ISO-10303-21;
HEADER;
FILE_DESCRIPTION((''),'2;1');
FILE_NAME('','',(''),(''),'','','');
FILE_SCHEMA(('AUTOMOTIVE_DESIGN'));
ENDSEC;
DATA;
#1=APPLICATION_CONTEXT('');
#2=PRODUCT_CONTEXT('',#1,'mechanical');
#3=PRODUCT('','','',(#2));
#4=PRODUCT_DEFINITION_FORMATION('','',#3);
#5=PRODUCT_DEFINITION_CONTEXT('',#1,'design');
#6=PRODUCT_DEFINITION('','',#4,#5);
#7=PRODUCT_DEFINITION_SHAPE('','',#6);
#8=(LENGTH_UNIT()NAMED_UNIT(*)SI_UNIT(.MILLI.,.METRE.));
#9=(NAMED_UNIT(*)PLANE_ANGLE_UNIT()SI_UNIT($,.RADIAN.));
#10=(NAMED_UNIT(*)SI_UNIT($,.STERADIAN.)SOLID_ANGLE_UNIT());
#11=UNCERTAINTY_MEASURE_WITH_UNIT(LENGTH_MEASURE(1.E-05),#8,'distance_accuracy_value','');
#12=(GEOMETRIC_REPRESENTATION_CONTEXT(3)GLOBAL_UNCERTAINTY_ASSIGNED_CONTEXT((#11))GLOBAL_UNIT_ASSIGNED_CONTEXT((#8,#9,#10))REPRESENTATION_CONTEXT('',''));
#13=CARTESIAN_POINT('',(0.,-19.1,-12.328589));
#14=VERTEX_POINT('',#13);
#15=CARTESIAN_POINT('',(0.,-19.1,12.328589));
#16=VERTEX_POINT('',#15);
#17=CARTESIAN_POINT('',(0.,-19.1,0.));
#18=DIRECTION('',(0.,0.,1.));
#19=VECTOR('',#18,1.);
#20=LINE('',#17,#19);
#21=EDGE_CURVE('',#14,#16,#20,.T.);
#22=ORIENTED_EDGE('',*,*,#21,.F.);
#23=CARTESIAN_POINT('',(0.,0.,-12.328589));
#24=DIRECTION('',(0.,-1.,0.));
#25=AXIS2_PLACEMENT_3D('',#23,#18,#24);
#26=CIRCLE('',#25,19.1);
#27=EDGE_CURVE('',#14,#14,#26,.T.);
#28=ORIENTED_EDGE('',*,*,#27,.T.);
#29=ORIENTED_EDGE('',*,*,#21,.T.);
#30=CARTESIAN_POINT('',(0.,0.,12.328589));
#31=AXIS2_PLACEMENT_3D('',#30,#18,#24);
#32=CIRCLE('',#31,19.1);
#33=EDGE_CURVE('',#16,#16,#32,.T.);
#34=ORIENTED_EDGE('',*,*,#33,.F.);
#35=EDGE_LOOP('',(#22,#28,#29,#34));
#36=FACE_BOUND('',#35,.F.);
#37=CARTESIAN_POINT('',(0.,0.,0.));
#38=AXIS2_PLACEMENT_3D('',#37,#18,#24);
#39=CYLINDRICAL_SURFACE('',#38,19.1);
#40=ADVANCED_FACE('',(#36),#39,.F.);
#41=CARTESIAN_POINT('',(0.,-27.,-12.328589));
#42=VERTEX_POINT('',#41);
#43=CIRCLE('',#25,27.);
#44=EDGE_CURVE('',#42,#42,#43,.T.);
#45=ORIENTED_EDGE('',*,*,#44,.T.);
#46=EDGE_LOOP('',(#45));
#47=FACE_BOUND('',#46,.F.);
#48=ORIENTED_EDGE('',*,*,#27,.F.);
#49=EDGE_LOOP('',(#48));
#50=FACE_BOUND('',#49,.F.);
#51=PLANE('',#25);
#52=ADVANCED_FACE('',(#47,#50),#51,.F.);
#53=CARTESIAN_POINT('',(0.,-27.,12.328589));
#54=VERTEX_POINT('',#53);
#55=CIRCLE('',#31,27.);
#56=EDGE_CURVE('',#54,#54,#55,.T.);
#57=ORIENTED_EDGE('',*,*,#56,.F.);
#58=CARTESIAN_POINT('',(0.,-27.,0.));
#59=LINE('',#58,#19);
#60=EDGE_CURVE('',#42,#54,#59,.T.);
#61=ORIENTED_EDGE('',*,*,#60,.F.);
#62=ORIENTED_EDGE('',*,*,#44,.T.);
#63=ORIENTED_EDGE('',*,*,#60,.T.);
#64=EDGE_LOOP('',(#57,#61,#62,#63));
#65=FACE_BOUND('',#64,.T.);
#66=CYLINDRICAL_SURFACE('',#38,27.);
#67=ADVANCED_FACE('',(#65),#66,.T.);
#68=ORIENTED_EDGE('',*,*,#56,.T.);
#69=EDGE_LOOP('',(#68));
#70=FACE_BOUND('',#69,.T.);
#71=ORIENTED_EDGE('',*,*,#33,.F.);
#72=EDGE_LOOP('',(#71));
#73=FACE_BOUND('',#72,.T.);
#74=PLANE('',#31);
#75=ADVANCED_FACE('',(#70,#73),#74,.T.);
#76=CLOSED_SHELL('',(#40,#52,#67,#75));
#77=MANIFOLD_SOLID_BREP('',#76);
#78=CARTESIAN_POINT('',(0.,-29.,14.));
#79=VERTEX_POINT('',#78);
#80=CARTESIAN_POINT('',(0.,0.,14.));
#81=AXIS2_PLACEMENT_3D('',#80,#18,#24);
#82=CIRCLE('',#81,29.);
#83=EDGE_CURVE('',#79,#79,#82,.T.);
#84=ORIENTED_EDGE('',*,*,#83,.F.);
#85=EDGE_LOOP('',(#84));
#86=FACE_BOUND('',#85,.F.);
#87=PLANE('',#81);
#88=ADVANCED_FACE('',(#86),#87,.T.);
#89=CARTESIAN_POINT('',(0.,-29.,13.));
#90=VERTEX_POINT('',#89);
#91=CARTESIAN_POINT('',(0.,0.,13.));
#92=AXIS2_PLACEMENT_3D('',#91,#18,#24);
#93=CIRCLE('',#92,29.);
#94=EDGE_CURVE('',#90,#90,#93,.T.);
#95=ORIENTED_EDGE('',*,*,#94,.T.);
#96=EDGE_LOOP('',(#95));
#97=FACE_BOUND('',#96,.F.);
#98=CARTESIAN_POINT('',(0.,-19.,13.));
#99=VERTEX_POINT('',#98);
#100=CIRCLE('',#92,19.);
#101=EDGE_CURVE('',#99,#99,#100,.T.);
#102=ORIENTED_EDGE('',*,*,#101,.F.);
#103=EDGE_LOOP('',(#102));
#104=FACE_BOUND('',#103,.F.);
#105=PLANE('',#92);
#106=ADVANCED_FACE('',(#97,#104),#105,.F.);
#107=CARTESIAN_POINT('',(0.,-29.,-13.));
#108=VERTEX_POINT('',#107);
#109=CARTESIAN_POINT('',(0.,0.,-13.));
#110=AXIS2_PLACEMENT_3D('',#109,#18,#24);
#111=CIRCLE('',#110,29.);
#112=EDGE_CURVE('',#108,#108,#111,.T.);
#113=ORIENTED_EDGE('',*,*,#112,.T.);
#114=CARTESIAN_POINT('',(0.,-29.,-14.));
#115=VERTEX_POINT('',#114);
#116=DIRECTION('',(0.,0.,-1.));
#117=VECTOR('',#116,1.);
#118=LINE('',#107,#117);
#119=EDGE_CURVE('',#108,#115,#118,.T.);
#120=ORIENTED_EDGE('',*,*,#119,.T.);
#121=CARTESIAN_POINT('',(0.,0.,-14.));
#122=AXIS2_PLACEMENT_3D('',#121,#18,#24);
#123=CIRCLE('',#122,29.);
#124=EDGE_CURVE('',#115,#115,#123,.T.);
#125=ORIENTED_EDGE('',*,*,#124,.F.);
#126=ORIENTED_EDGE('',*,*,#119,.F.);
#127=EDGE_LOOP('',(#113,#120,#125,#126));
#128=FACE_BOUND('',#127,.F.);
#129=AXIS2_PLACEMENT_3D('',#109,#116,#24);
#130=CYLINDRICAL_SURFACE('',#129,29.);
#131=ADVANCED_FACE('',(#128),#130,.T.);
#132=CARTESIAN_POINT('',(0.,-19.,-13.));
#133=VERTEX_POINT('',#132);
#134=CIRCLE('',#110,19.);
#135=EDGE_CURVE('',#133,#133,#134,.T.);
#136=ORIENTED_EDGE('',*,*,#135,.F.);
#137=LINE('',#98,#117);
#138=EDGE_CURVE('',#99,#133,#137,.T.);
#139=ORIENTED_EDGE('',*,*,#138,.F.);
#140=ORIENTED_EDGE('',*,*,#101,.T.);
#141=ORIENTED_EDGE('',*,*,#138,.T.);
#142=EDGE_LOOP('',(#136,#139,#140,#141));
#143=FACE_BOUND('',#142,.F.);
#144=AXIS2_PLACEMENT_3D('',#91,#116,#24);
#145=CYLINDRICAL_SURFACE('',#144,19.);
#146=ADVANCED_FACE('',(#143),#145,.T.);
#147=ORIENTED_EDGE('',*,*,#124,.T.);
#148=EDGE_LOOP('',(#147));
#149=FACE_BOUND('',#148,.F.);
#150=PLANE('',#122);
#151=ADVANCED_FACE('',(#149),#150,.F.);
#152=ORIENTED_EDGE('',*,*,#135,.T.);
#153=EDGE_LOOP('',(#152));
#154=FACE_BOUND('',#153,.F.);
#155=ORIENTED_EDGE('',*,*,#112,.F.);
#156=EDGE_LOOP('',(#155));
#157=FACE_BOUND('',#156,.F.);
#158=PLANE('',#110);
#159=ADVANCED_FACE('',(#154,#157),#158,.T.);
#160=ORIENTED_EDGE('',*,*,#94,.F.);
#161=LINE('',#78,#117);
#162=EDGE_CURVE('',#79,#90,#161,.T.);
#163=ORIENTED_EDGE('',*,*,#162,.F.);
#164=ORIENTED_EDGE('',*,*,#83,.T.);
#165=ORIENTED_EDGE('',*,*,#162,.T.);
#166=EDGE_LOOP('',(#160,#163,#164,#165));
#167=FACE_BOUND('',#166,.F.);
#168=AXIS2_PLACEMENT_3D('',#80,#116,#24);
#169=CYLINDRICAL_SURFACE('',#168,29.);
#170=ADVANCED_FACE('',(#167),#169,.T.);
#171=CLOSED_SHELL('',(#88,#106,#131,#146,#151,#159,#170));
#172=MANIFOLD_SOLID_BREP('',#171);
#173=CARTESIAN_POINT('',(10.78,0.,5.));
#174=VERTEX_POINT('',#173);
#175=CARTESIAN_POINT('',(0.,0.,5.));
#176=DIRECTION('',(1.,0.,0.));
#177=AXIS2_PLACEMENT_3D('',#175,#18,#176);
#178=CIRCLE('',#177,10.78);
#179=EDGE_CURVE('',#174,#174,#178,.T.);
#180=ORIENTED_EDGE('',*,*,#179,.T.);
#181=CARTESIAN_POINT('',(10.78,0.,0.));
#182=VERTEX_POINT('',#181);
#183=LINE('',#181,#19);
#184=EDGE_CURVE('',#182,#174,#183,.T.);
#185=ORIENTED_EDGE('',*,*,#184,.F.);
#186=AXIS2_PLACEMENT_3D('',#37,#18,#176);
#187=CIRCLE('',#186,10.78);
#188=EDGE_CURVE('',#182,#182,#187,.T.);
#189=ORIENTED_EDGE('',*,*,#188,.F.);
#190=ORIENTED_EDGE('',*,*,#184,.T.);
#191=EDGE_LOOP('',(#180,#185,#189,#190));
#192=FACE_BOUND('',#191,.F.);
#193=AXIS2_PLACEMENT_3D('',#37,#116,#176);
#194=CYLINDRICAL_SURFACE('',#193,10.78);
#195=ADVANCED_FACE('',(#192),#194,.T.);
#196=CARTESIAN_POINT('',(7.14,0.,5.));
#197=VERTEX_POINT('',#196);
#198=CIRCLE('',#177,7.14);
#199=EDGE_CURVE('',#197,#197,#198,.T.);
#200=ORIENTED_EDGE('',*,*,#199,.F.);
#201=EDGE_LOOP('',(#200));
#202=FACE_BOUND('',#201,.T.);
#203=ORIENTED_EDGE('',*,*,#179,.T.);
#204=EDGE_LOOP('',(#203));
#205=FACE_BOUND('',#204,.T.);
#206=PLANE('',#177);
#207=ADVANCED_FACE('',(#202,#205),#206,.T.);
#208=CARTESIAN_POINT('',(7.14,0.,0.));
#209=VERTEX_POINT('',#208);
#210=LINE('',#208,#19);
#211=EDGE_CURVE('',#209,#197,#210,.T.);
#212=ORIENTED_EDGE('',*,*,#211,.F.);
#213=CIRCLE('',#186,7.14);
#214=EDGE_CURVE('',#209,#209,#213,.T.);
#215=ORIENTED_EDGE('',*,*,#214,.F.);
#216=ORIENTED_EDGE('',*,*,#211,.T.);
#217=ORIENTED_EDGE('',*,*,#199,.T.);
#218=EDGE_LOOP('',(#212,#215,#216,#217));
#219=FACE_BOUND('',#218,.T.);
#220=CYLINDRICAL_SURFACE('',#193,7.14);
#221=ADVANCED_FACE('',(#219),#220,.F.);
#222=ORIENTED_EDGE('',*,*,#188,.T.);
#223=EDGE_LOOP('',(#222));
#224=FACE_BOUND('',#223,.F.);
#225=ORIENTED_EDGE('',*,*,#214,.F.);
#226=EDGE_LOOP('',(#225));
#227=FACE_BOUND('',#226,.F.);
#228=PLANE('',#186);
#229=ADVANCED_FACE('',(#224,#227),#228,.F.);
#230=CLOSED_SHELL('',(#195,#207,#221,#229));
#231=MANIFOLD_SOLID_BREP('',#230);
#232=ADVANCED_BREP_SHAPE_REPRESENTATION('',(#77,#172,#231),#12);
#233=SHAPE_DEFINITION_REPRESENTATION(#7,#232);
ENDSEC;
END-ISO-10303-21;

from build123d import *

# Parameters (mm, degrees)
F0_R     = 10.78
F0_R_2   = 7.14
F1_DEPTH = 5
F2_W     = 7.9
F2_H     = 24.657178


with BuildPart() as f1:
    # F0 (on Top) → F1 (new body)
    with BuildSketch(Plane.XY):
        Circle(F0_R)
        Circle(F0_R_2, mode=Mode.SUBTRACT)
    extrude(amount=F1_DEPTH)


with BuildPart() as f3:
    # F2 (on Right) → F3 (revolve)
    with BuildSketch(Plane.YZ):
        Polygon((0, -14), (0, 14), (-29, 14), (-29, 13), (-19, 13), (-19, -13), (-29, -13), (-29, -14), align=None)
        with Locations((-23.05, 0)):
            Rectangle(F2_W, F2_H)
    revolve(axis=Axis((0, 0, 21.898381), (0, 0, 1)))


solid = Compound([f1.part, f3.part])
